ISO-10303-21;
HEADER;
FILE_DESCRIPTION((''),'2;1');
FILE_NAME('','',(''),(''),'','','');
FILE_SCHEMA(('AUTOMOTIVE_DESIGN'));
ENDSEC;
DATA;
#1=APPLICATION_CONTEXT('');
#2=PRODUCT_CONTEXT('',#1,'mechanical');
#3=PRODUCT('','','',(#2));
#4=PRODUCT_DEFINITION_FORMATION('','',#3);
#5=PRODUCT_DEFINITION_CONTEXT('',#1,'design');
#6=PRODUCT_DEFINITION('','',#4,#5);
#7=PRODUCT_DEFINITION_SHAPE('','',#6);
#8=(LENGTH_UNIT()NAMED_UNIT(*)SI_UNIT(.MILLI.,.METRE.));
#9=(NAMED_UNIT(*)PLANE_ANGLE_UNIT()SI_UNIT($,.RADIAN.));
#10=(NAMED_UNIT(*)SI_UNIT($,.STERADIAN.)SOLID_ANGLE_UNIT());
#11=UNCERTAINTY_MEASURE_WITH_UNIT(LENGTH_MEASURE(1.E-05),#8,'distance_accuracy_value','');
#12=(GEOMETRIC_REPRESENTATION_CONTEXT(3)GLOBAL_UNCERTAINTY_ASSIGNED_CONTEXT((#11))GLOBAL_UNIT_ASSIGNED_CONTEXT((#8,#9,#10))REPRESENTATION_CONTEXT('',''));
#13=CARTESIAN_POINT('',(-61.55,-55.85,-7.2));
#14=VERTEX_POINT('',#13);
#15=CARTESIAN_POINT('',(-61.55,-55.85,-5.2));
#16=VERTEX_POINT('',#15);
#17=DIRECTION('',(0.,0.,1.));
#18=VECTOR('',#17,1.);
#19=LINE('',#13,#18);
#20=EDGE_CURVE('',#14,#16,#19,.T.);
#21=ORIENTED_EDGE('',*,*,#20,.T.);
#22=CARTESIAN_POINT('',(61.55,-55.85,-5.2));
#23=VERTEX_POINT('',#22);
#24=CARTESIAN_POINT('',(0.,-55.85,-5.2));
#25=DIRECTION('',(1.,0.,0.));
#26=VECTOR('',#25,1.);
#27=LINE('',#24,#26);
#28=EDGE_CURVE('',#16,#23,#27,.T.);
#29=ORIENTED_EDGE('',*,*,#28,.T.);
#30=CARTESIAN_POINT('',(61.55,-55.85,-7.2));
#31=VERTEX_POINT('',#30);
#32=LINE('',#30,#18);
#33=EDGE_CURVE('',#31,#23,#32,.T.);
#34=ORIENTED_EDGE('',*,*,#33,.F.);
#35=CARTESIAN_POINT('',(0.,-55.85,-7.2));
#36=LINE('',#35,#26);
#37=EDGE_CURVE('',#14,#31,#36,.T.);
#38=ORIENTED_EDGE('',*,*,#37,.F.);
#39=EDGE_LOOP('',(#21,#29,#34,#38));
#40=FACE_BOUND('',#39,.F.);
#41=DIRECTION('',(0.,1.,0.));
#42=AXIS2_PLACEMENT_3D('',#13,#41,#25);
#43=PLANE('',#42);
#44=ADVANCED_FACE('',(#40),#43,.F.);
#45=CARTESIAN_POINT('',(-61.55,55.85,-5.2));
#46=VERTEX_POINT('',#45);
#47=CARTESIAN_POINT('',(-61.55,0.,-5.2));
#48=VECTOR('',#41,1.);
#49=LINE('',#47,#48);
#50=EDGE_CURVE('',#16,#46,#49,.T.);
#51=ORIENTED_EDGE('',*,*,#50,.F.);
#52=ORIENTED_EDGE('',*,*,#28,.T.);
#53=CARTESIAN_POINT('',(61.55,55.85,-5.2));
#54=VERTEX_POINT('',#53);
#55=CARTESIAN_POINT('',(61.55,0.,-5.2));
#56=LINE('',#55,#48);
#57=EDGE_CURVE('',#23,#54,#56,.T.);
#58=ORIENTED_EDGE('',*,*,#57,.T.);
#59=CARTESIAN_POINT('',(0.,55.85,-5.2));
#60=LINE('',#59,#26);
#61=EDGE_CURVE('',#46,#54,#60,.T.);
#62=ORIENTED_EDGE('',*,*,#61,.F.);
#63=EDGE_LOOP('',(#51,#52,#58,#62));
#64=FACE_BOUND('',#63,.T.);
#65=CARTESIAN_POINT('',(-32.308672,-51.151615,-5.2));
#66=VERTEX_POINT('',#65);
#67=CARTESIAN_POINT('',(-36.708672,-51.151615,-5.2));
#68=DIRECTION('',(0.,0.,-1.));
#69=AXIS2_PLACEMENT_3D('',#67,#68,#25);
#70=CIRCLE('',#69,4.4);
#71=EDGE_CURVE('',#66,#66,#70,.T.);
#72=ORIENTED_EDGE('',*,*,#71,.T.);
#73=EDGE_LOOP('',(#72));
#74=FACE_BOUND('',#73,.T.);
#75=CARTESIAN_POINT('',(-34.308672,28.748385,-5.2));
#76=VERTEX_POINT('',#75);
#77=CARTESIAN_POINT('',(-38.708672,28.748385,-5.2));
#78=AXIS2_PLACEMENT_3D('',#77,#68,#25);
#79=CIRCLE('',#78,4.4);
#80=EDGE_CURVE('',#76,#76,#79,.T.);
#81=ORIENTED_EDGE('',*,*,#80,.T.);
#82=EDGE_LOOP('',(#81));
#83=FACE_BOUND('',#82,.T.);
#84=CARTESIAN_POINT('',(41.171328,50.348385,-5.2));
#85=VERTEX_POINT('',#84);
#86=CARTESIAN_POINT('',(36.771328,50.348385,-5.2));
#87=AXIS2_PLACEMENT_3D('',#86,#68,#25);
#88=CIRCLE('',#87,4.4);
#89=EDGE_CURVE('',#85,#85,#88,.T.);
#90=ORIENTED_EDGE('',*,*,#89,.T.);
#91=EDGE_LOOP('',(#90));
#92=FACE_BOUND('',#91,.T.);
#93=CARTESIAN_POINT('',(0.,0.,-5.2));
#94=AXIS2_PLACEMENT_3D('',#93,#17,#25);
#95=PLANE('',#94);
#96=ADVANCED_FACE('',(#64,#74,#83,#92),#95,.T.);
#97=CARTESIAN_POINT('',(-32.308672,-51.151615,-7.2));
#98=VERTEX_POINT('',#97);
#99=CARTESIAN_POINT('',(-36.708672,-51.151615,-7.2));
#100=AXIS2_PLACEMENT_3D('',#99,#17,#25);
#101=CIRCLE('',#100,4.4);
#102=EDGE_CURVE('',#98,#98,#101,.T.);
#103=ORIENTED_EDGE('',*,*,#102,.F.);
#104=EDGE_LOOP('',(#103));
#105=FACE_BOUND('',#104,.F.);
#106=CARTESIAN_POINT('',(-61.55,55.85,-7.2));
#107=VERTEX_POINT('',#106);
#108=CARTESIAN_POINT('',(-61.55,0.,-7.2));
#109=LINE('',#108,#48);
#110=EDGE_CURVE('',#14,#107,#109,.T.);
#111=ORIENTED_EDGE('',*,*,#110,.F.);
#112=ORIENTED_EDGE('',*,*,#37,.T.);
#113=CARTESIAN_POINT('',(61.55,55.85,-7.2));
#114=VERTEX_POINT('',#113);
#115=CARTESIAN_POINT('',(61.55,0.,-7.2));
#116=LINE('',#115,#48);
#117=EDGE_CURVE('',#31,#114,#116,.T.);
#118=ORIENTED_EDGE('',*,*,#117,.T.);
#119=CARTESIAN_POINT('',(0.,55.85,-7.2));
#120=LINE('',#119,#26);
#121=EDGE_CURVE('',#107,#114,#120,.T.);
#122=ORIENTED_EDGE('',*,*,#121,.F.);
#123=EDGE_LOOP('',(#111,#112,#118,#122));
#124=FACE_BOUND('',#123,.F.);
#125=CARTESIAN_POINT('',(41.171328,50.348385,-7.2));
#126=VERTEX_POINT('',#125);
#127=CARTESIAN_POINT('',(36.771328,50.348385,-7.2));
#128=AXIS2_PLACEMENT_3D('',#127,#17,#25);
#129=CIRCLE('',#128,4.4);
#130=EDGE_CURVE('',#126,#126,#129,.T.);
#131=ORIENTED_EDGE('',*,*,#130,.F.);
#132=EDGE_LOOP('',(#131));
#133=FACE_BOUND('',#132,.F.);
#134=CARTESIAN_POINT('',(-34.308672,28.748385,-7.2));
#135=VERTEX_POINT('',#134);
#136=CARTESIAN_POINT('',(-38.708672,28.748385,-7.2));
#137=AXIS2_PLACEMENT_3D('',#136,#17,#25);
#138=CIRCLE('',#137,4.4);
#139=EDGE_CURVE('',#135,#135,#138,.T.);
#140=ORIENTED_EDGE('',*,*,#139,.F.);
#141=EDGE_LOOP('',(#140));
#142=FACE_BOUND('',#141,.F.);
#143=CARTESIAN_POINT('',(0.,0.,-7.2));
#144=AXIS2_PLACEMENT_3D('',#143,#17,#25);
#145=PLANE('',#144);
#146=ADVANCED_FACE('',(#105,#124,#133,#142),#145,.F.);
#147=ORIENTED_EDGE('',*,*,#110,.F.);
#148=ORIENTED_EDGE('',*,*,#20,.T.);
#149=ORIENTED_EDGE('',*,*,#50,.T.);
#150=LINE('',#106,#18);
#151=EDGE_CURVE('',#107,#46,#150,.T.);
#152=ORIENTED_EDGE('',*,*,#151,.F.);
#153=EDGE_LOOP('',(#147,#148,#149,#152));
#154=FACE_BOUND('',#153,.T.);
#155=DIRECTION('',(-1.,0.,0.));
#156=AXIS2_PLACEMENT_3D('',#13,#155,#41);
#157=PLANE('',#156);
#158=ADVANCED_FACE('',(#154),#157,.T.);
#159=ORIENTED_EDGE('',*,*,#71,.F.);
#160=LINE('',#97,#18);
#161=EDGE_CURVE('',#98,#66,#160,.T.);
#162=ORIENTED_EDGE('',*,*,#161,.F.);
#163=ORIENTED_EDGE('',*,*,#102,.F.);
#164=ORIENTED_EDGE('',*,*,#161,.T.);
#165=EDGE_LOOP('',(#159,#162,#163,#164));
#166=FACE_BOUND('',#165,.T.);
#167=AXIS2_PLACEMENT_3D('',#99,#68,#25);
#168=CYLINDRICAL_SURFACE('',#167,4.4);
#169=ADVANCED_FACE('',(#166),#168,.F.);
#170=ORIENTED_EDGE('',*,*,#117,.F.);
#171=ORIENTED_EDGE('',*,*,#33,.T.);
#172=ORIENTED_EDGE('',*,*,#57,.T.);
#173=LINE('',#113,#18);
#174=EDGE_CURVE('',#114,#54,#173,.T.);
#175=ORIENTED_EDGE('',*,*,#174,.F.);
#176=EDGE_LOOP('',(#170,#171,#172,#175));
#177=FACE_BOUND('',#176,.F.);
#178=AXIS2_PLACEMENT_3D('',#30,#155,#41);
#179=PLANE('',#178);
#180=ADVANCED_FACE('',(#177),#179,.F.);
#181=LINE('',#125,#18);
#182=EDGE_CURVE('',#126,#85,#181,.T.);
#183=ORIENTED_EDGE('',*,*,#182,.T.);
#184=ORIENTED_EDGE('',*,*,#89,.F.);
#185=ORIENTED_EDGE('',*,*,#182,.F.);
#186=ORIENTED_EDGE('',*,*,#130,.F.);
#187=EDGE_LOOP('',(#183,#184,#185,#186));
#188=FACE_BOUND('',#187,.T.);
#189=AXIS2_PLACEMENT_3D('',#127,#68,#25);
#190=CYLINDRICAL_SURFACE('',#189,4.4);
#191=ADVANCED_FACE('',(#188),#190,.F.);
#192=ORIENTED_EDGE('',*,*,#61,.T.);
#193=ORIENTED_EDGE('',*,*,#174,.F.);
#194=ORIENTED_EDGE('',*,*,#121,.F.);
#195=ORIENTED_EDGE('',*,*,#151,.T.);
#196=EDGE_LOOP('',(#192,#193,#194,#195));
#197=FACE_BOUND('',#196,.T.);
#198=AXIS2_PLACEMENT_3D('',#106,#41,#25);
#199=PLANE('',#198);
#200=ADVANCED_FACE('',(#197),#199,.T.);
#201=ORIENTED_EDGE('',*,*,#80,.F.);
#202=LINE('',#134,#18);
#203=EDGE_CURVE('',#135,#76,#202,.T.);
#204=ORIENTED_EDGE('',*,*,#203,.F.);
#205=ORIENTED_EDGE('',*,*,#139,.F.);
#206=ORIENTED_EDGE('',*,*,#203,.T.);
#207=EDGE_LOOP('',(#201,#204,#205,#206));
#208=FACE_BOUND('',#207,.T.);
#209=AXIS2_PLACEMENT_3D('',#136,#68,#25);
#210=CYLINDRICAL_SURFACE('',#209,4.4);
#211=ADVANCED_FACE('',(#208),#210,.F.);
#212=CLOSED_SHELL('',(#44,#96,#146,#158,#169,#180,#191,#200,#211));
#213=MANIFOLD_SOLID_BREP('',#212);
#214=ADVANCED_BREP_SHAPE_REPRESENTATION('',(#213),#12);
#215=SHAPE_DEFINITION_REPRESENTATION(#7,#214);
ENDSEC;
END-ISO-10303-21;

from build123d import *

# Parameters (mm, degrees)
SKETCH015_W     = 123.1
SKETCH015_H     = 111.7
PAD003_DEPTH    = 2
SKETCH020_R     = 4.4
POCKET010_DEPTH = 2.2
SKETCH021_R     = 4.4
POCKET011_DEPTH = 5.71
SKETCH022_R     = 4.4
POCKET012_DEPTH = 5.71


with BuildPart() as part:
    # Sketch015 → Pad003 (new body)
    with BuildSketch(Plane.XY.offset(-7.2)):
        Rectangle(SKETCH015_W, SKETCH015_H)
    extrude(amount=PAD003_DEPTH)

    # Sketch020 → Pocket010 (cut)
    with BuildSketch(Plane.XY.offset(-7.2)):
        with Locations((-36.708672, -51.151615)):
            Circle(SKETCH020_R)
    extrude(amount=POCKET010_DEPTH, mode=Mode.SUBTRACT)

    # Sketch021 → Pocket011 (cut)
    with BuildSketch(Plane(origin=(-2, 79.9, -7.2), x_dir=(1, 0, 0), z_dir=(0, 0, 1))):
        with Locations((-36.708672, -51.151615)):
            Circle(SKETCH021_R)
    extrude(amount=POCKET011_DEPTH, mode=Mode.SUBTRACT)

    # Sketch022 → Pocket012 (cut)
    with BuildSketch(Plane(origin=(73.48, 101.5, -7.2), x_dir=(1, 0, 0), z_dir=(0, 0, 1))):
        with Locations((-36.708672, -51.151615)):
            Circle(SKETCH022_R)
    extrude(amount=POCKET012_DEPTH, mode=Mode.SUBTRACT)


solid = part.part
